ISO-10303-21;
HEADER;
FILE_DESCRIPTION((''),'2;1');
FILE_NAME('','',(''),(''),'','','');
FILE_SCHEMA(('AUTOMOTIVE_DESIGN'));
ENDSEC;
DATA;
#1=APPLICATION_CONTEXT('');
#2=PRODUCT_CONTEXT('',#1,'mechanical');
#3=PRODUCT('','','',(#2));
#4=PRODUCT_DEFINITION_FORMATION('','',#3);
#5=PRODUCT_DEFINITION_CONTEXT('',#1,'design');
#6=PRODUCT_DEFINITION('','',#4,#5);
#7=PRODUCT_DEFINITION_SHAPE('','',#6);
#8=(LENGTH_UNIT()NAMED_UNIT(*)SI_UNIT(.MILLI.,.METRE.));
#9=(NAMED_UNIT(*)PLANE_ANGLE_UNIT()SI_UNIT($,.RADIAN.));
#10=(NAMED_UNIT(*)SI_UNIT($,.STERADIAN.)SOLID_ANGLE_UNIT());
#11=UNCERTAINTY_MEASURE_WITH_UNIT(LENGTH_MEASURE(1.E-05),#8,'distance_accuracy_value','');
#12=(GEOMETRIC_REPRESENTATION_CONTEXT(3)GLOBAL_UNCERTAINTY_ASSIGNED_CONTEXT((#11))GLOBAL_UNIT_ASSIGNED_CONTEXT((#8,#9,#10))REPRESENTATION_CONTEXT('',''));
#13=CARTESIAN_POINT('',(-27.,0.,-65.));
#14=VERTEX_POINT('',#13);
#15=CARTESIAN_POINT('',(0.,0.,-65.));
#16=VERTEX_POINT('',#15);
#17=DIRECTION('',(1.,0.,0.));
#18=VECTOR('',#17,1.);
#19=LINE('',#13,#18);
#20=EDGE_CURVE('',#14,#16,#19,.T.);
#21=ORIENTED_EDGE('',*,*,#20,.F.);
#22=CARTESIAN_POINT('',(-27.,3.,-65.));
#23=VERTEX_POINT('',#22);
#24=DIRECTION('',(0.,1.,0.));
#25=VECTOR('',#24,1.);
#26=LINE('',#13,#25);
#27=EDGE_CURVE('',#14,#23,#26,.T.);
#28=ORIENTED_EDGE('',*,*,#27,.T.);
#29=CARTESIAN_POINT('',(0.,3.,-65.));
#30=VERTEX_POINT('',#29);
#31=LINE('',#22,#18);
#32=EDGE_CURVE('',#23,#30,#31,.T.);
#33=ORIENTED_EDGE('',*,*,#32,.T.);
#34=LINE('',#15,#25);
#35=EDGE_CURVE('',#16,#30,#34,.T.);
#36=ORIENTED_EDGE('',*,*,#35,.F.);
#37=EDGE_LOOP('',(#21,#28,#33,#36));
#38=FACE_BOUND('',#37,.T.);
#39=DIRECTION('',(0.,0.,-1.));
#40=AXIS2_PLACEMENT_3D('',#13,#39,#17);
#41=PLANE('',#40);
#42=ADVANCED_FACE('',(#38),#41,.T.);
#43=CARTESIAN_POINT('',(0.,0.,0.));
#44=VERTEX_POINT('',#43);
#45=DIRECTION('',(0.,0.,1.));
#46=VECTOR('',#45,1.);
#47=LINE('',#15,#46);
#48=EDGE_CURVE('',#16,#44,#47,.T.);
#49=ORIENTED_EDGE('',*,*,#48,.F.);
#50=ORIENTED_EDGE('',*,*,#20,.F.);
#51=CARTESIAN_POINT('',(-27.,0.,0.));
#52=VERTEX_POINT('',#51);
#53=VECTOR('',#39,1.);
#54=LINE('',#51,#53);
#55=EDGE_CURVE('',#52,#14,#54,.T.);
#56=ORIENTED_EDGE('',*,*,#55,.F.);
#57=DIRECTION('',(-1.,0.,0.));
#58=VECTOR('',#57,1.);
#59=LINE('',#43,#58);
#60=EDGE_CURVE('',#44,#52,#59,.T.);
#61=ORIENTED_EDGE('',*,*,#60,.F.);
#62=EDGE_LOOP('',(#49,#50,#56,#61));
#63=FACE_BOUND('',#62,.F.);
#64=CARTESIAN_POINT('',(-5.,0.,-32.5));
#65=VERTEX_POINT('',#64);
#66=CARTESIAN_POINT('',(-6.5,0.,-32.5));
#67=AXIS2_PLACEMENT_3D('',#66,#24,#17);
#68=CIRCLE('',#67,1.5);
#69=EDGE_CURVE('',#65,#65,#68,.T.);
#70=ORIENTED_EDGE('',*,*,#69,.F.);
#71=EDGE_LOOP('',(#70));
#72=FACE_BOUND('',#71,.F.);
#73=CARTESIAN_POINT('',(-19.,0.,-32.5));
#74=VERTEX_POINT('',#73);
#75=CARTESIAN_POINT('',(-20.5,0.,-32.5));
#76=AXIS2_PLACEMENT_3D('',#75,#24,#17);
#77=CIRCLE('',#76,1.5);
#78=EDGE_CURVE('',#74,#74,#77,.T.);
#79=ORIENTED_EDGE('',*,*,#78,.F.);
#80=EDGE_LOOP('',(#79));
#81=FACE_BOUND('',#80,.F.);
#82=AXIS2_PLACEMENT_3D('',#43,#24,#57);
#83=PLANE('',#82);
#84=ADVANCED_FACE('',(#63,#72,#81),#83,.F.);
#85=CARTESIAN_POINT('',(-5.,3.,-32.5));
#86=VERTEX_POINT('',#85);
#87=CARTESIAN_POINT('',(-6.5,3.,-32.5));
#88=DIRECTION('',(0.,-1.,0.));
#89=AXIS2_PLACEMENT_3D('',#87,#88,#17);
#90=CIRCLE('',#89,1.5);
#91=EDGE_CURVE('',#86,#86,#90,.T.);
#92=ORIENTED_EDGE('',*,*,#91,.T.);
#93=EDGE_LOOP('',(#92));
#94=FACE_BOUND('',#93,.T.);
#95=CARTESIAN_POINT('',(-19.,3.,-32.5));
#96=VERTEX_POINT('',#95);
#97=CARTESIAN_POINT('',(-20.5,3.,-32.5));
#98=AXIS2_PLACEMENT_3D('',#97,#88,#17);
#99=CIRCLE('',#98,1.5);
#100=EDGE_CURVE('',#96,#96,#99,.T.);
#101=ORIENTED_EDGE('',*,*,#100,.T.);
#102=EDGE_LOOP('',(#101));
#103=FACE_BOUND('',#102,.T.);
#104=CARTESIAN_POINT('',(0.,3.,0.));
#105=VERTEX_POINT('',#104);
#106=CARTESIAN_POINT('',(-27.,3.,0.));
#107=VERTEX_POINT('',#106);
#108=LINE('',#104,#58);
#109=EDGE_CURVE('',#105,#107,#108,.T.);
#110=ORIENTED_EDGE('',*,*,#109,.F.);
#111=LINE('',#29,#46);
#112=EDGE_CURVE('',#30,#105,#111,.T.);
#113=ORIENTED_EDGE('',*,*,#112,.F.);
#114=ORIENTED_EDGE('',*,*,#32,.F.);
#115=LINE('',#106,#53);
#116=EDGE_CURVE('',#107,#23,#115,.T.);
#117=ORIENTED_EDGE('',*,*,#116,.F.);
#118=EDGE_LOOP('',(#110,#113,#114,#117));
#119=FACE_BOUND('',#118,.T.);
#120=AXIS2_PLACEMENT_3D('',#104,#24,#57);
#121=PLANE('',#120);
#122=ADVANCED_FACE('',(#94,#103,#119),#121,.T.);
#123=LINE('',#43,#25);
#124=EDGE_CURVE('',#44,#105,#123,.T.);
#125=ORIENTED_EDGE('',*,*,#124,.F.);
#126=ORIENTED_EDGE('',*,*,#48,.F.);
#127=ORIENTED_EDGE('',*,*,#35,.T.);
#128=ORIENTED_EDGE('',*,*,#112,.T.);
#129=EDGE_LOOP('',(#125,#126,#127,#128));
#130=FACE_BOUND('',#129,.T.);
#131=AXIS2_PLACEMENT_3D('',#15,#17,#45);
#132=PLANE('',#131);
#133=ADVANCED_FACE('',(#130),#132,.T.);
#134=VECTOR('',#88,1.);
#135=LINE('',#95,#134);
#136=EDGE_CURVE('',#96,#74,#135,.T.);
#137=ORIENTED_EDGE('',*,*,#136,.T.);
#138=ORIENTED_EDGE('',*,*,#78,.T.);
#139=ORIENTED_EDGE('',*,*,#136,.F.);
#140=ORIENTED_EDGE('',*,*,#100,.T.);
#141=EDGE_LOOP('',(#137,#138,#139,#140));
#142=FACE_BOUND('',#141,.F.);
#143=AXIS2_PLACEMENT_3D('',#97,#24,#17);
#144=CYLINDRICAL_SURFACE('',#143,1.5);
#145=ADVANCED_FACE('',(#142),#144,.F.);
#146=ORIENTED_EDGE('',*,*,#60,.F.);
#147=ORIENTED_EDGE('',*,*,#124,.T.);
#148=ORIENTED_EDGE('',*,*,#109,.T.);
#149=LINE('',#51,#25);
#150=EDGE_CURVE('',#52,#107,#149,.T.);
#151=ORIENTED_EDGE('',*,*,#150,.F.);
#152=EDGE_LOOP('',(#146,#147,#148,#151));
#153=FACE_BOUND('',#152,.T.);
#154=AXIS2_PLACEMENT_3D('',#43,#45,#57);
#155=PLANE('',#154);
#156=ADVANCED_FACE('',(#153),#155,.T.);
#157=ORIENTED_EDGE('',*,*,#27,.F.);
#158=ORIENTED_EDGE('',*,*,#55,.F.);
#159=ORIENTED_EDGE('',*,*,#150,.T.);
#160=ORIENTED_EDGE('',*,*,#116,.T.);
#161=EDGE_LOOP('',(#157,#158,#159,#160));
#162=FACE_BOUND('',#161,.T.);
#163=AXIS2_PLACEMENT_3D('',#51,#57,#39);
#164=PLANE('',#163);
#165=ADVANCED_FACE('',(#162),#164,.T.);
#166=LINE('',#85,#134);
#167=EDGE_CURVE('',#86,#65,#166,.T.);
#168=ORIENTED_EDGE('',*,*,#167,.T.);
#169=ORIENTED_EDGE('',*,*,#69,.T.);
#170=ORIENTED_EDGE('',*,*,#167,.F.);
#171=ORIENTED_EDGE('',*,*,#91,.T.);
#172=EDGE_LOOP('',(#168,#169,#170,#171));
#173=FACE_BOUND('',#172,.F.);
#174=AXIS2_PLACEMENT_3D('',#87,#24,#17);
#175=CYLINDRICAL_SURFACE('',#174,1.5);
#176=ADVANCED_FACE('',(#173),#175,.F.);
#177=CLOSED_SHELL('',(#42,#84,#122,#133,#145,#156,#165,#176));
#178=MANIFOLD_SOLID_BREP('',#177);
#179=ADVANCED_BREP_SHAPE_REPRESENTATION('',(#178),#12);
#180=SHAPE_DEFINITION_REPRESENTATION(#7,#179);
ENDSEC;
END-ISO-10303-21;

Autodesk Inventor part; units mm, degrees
ref_plane "YZ Plane" through (0, 0, 0) normal (1, 0, 0) x (0, 1, 0)
ref_plane "XZ Plane" through (0, 0, 0) normal (0, 1, 0) x (-1, 0, 0)
ref_plane "XY Plane" through (0, 0, 0) normal (0, 0, 1) x (1, 0, 0)
sketch "Sketch1" plane through (0, 0, 0) normal (0, 1, 0) x (-1, 0, 0)
  line L0 (0, 0) -> (27, 0)
  line L1 (27, 0) -> (27, -65)
  line L2 (27, -65) -> (0, -65)
  line L3 (0, -65) -> (0, 0)
  dimension "d0" = 27
  dimension "d1" = 65
extrude "Extrusion1" add sketch "Sketch1" along normal blind 3
sketch "Sketch2" plane through (0, 3, 0) normal (0, 1, 0) x (1, 0, 0)
  line L0 (0, 0) -> (0, 65) projected
  line L1 (-27, 65) -> (-27, 0) projected
  line L2 (-27, 32.5) -> (0, 32.5)
  line L3 (-13.5, 32.5) -> (-20.5, 32.5)
  line L4 (-20.5, 32.5) -> (-6.5, 32.5)
  circle A0 centre (-20.5, 32.5) radius 1.5
  circle A1 centre (-6.5, 32.5) radius 1.5
  dimension "d4" = 7
  dimension "d5" = 14
  dimension "d6" = 3
  dimension "d7" = 3
extrude "Extrusion2" cut sketch "Sketch2" against normal blind 3
properties part number "Hand Plate"
